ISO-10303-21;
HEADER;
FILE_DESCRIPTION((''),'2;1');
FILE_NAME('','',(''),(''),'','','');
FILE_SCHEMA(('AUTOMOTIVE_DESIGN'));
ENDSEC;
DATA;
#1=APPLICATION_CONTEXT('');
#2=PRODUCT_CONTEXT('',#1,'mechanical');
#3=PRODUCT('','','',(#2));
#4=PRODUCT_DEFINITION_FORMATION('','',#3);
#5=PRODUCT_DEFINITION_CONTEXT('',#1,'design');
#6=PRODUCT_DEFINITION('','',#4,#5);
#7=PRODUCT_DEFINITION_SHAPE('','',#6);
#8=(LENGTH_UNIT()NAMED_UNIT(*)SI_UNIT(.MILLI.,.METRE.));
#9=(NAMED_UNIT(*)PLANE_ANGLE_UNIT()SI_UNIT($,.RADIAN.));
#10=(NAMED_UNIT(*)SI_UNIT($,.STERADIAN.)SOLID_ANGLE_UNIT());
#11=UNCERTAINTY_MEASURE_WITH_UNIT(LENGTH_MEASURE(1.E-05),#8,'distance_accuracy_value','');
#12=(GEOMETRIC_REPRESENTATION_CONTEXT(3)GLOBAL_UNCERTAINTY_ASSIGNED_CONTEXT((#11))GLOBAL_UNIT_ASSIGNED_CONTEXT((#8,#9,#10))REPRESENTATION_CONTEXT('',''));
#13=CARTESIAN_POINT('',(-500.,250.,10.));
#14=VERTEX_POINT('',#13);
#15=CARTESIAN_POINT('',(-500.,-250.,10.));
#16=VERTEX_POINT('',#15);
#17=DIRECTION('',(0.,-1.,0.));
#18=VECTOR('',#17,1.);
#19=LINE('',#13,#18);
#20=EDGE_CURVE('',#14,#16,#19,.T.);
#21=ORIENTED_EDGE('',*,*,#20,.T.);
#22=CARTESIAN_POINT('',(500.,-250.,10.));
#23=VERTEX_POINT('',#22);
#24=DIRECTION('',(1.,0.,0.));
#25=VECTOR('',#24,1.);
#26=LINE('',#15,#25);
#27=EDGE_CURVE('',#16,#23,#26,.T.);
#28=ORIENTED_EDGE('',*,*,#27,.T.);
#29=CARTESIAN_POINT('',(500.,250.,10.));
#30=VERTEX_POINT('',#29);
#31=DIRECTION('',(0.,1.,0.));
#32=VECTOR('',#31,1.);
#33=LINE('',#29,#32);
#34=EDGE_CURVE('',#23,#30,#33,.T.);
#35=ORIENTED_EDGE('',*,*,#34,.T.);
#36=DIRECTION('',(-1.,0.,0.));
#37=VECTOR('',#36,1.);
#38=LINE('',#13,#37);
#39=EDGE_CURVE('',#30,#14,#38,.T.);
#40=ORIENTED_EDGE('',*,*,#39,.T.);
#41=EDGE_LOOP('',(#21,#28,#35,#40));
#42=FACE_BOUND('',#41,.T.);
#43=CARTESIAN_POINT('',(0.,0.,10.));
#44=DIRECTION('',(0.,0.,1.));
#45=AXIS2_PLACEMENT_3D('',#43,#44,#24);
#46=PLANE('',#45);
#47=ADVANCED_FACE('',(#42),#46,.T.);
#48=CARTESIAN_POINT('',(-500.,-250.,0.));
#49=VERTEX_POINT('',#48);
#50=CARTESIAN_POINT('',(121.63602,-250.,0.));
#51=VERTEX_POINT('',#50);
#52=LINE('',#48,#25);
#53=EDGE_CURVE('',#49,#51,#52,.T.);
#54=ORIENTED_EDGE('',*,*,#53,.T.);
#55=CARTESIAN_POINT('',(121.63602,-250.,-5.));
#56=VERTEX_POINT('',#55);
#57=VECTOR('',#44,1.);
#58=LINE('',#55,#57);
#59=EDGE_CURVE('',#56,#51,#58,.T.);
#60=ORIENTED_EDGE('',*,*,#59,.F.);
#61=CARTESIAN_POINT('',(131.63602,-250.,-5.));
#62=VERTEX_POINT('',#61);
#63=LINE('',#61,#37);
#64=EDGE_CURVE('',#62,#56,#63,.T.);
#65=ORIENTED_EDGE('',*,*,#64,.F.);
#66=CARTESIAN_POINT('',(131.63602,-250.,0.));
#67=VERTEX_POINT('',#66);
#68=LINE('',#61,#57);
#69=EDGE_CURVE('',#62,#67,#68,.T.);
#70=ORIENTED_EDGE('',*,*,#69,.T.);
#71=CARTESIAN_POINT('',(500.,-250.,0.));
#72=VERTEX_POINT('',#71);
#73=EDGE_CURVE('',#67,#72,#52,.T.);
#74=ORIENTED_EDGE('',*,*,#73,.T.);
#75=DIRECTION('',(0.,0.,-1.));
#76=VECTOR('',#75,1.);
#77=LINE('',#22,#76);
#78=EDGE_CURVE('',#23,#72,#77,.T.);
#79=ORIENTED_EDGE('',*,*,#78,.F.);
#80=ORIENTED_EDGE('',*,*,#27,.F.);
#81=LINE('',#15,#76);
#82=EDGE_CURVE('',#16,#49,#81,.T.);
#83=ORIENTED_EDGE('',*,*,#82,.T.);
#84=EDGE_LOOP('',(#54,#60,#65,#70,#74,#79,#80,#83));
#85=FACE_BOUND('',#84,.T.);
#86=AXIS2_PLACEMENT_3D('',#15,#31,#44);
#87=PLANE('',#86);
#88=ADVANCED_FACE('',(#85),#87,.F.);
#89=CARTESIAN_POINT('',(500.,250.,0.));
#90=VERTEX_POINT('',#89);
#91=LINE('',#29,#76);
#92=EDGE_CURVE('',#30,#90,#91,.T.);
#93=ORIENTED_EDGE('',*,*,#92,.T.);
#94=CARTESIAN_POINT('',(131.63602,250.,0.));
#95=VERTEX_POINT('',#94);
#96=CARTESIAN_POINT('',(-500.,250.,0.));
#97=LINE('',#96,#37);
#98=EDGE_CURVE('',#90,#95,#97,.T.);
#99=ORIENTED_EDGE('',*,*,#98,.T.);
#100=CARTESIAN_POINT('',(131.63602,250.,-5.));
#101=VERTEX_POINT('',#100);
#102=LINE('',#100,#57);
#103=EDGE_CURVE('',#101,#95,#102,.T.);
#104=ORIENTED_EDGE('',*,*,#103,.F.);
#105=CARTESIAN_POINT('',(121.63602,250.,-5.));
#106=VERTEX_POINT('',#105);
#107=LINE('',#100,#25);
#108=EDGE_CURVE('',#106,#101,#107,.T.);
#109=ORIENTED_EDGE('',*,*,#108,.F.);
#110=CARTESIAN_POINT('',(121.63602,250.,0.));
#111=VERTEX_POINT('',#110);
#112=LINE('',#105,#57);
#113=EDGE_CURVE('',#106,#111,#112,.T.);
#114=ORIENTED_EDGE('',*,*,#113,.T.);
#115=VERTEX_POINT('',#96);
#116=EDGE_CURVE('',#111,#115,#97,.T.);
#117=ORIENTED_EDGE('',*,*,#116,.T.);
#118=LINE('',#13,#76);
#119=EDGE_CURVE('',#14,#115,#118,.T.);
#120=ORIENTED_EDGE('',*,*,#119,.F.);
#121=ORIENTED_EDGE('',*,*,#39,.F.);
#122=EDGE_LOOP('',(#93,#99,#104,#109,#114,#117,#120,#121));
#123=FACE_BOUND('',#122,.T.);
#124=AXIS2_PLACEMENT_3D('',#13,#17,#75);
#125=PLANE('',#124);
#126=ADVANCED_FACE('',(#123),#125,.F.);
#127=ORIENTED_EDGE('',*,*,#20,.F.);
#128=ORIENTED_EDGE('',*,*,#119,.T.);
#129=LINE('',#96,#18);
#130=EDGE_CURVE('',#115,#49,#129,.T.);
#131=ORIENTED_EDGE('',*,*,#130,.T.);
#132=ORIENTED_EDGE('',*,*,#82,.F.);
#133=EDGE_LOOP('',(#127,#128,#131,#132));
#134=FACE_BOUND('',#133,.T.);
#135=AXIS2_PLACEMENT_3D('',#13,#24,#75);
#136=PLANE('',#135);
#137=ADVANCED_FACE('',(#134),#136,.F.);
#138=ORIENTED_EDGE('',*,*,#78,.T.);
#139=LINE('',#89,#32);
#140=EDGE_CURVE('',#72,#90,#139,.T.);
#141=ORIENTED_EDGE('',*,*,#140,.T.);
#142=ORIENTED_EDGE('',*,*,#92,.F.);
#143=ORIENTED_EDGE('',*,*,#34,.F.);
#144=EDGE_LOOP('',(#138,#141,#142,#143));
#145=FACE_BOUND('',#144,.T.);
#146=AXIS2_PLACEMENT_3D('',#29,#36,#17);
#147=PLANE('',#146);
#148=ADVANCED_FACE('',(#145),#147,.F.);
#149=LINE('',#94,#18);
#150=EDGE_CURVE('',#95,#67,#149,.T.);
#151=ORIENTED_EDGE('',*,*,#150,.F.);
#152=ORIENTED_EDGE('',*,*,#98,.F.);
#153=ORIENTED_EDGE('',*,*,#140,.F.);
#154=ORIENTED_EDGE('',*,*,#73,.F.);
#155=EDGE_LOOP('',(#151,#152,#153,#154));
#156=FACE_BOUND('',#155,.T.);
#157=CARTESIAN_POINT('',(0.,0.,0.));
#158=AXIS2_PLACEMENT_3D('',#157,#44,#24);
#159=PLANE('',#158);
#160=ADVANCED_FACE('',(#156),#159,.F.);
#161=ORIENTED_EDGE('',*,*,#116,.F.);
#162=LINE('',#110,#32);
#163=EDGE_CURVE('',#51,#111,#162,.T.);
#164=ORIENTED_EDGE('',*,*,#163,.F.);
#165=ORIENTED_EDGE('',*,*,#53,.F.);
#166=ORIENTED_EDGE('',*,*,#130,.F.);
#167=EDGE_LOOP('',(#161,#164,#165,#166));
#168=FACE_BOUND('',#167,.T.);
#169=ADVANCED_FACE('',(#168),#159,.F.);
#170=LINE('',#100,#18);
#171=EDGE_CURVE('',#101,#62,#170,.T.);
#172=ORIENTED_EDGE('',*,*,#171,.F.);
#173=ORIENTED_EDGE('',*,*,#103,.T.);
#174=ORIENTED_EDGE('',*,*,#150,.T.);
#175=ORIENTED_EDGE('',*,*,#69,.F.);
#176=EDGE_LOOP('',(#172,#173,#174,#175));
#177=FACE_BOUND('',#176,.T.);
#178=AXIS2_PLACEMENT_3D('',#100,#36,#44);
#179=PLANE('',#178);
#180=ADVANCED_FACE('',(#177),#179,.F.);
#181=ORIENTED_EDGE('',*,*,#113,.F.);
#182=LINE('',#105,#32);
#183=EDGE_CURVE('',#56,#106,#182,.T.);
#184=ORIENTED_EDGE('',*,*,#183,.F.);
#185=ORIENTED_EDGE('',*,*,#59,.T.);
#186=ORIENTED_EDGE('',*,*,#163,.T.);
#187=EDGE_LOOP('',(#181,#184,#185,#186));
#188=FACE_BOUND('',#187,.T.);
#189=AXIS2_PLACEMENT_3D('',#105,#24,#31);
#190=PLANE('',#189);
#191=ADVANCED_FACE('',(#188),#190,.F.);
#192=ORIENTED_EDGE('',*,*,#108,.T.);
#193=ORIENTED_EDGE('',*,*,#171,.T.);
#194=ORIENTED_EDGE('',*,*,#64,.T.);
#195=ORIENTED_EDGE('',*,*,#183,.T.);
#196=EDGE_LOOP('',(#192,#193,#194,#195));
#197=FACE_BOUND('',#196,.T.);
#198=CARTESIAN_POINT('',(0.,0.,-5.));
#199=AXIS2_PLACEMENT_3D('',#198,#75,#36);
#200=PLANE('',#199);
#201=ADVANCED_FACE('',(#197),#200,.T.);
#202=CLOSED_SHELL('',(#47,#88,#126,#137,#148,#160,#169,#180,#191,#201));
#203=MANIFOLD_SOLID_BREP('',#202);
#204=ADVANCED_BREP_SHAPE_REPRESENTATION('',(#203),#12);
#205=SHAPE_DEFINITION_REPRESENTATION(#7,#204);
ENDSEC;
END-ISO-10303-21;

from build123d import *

# Parameters (mm, degrees)
SKETCH_1_W      = 1000
SKETCH_1_H      = 500
EXTRUDE_1_DEPTH = 10
SKETCH_2_W      = 10
SKETCH_2_H      = 500
EXTRUDE_2_DEPTH = 5


with BuildPart() as part:
    # 草图1 → 凸台-拉伸1 (new body)
    with BuildSketch(Plane.XY):
        Rectangle(SKETCH_1_W, SKETCH_1_H)
    extrude(amount=EXTRUDE_1_DEPTH)

    # 草图2 → 凸台-拉伸2 (add)
    with BuildSketch(Plane(origin=(0, 0, 0), x_dir=(-1, 0, 0), z_dir=(0, 0, -1))):
        with Locations((-126.636020437, 0)):
            Rectangle(SKETCH_2_W, SKETCH_2_H)
    extrude(amount=EXTRUDE_2_DEPTH)


solid = part.part
